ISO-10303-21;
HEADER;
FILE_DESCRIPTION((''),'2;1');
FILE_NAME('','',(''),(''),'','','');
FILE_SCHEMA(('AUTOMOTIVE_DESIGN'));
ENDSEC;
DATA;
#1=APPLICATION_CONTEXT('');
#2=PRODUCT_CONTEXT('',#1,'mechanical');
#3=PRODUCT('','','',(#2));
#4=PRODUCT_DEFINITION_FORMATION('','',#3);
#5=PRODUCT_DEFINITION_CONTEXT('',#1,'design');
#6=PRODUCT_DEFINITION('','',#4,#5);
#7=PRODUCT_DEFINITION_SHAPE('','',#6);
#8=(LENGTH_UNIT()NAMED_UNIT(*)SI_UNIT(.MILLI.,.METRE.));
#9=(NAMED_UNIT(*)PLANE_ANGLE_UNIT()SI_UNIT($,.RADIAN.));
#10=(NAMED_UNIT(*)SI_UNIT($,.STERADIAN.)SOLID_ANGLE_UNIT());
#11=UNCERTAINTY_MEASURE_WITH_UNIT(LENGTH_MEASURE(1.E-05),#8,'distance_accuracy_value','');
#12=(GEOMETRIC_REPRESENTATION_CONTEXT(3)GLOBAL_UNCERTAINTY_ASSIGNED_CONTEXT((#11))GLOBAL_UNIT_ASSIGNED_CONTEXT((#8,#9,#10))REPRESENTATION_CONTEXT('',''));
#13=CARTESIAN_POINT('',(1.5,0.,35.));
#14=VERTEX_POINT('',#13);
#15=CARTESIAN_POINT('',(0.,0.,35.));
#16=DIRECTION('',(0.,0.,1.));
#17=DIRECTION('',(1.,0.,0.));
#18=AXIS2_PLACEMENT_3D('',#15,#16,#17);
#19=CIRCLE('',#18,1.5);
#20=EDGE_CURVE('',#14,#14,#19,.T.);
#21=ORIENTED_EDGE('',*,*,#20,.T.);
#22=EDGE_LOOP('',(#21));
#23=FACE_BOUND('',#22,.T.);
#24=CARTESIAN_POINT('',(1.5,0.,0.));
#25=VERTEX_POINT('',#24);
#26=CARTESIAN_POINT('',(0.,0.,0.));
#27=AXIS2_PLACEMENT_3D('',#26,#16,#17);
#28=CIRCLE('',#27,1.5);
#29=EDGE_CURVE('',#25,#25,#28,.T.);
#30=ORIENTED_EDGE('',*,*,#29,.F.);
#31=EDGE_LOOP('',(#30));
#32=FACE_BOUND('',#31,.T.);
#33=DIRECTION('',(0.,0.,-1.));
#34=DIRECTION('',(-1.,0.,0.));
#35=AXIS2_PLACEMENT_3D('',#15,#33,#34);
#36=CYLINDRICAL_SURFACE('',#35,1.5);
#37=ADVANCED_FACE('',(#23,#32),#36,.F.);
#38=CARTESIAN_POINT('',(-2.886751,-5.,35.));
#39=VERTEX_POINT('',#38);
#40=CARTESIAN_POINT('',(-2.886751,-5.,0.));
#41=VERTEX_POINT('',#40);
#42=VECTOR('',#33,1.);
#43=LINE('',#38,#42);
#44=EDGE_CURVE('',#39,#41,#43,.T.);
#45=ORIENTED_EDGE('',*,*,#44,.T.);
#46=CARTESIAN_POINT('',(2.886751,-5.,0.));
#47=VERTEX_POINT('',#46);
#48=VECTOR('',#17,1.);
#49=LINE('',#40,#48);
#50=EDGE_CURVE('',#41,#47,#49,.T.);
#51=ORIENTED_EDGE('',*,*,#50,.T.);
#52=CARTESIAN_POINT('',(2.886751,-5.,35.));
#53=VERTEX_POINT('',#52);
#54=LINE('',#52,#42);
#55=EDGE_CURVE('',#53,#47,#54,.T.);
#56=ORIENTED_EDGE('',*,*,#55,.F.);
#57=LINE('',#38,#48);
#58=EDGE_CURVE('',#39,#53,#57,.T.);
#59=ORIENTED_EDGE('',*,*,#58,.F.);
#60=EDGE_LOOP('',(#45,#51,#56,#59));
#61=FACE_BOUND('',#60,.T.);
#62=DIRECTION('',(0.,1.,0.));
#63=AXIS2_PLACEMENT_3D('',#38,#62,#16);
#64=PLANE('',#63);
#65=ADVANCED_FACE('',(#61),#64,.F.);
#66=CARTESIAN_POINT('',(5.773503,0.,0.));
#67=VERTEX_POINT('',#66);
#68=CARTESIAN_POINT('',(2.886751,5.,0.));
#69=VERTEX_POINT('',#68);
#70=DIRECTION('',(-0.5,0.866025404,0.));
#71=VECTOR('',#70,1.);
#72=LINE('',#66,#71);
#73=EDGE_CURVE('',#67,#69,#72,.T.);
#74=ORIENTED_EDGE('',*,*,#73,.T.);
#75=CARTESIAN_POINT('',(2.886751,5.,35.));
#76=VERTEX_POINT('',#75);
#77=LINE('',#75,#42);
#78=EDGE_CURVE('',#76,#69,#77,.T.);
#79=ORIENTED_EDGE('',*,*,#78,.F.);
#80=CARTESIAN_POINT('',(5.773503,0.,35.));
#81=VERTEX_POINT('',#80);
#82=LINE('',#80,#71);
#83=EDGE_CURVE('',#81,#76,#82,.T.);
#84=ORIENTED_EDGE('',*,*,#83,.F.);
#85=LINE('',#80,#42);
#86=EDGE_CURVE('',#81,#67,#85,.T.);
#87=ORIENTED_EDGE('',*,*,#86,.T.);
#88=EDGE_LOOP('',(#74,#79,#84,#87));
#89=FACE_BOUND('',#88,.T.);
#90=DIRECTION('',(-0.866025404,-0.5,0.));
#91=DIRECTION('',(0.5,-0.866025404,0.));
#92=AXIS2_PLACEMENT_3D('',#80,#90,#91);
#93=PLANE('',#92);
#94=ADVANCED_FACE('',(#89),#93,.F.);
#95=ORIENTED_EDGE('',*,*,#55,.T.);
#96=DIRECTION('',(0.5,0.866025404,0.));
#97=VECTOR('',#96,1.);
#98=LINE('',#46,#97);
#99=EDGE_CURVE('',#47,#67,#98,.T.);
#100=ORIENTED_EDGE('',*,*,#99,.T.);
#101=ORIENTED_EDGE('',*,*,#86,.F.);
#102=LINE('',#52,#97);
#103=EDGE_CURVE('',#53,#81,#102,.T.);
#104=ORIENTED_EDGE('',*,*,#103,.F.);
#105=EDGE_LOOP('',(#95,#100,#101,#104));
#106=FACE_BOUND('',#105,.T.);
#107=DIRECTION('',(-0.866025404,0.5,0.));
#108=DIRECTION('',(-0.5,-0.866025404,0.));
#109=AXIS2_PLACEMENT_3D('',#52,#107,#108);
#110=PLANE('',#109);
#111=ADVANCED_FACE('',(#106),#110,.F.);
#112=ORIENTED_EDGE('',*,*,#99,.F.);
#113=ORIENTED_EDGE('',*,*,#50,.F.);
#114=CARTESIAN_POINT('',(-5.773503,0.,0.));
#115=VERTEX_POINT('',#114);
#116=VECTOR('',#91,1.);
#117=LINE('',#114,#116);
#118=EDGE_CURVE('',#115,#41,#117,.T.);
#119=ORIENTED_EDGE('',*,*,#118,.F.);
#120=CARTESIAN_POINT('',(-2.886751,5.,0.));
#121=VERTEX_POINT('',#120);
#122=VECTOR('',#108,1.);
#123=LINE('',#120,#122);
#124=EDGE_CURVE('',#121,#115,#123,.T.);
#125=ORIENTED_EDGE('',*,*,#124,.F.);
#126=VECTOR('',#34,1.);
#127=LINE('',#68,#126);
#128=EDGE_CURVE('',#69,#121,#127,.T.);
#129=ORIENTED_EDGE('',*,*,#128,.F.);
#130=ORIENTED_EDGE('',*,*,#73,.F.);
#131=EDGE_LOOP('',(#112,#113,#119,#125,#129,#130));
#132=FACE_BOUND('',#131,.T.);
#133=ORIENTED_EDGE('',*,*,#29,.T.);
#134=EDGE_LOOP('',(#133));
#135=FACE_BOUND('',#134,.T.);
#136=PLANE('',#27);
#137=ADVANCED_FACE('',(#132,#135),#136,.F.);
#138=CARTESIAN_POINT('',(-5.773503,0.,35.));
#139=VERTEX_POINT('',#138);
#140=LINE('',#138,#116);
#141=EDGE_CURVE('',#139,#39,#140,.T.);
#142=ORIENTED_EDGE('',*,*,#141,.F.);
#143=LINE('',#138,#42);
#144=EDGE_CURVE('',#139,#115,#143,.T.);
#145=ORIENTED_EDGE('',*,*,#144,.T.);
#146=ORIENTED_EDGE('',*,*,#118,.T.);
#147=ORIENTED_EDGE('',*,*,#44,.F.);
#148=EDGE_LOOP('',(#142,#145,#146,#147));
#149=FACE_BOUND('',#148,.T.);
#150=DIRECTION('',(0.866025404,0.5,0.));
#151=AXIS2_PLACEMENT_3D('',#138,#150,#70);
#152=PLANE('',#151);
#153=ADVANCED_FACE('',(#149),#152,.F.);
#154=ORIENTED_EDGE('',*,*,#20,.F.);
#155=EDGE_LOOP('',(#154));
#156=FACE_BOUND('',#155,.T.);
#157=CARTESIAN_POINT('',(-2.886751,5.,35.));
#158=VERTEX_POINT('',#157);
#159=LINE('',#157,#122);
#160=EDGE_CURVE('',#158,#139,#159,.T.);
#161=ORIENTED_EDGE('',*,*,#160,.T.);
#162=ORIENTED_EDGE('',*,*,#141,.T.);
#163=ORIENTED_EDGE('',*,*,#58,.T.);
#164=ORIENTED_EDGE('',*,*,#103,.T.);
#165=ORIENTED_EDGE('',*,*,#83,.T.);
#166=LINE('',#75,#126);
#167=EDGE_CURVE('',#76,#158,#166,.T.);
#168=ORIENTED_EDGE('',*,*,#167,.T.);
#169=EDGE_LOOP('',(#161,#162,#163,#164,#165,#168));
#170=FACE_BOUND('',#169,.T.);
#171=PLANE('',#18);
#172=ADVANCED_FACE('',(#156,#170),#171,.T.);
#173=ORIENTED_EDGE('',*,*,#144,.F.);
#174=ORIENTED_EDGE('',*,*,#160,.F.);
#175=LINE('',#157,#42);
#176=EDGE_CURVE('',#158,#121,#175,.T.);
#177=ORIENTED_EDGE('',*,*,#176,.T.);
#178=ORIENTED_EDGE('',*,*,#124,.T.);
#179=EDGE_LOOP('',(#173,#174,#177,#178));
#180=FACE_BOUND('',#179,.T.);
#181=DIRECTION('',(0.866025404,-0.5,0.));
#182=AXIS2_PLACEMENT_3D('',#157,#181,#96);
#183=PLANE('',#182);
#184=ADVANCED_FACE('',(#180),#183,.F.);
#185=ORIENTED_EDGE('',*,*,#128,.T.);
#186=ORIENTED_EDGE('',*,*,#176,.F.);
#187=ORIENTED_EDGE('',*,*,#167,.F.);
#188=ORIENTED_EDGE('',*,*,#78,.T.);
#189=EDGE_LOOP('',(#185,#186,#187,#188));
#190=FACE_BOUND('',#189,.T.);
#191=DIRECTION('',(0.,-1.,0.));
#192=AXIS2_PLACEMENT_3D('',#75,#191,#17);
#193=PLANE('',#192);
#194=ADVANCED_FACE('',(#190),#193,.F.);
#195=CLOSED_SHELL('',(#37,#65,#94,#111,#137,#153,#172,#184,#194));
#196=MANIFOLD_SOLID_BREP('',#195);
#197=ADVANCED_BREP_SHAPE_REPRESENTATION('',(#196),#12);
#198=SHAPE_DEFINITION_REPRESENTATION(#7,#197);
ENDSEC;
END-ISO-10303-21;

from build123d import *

# Parameters (mm, degrees)
SKETCH1_R           = 1.5
BOSS_EXTRUDE1_DEPTH = 35


with BuildPart() as part:
    # Sketch1 → Boss-Extrude1 (new body)
    with BuildSketch(Plane.XY):
        Polygon((5.773502692, 0), (2.886751346, 5), (-2.886751346, 5), (-5.773502692, 0), (-2.886751346, -5), (2.886751346, -5), align=None)
        Circle(SKETCH1_R, mode=Mode.SUBTRACT)
    extrude(amount=BOSS_EXTRUDE1_DEPTH)


solid = part.part
